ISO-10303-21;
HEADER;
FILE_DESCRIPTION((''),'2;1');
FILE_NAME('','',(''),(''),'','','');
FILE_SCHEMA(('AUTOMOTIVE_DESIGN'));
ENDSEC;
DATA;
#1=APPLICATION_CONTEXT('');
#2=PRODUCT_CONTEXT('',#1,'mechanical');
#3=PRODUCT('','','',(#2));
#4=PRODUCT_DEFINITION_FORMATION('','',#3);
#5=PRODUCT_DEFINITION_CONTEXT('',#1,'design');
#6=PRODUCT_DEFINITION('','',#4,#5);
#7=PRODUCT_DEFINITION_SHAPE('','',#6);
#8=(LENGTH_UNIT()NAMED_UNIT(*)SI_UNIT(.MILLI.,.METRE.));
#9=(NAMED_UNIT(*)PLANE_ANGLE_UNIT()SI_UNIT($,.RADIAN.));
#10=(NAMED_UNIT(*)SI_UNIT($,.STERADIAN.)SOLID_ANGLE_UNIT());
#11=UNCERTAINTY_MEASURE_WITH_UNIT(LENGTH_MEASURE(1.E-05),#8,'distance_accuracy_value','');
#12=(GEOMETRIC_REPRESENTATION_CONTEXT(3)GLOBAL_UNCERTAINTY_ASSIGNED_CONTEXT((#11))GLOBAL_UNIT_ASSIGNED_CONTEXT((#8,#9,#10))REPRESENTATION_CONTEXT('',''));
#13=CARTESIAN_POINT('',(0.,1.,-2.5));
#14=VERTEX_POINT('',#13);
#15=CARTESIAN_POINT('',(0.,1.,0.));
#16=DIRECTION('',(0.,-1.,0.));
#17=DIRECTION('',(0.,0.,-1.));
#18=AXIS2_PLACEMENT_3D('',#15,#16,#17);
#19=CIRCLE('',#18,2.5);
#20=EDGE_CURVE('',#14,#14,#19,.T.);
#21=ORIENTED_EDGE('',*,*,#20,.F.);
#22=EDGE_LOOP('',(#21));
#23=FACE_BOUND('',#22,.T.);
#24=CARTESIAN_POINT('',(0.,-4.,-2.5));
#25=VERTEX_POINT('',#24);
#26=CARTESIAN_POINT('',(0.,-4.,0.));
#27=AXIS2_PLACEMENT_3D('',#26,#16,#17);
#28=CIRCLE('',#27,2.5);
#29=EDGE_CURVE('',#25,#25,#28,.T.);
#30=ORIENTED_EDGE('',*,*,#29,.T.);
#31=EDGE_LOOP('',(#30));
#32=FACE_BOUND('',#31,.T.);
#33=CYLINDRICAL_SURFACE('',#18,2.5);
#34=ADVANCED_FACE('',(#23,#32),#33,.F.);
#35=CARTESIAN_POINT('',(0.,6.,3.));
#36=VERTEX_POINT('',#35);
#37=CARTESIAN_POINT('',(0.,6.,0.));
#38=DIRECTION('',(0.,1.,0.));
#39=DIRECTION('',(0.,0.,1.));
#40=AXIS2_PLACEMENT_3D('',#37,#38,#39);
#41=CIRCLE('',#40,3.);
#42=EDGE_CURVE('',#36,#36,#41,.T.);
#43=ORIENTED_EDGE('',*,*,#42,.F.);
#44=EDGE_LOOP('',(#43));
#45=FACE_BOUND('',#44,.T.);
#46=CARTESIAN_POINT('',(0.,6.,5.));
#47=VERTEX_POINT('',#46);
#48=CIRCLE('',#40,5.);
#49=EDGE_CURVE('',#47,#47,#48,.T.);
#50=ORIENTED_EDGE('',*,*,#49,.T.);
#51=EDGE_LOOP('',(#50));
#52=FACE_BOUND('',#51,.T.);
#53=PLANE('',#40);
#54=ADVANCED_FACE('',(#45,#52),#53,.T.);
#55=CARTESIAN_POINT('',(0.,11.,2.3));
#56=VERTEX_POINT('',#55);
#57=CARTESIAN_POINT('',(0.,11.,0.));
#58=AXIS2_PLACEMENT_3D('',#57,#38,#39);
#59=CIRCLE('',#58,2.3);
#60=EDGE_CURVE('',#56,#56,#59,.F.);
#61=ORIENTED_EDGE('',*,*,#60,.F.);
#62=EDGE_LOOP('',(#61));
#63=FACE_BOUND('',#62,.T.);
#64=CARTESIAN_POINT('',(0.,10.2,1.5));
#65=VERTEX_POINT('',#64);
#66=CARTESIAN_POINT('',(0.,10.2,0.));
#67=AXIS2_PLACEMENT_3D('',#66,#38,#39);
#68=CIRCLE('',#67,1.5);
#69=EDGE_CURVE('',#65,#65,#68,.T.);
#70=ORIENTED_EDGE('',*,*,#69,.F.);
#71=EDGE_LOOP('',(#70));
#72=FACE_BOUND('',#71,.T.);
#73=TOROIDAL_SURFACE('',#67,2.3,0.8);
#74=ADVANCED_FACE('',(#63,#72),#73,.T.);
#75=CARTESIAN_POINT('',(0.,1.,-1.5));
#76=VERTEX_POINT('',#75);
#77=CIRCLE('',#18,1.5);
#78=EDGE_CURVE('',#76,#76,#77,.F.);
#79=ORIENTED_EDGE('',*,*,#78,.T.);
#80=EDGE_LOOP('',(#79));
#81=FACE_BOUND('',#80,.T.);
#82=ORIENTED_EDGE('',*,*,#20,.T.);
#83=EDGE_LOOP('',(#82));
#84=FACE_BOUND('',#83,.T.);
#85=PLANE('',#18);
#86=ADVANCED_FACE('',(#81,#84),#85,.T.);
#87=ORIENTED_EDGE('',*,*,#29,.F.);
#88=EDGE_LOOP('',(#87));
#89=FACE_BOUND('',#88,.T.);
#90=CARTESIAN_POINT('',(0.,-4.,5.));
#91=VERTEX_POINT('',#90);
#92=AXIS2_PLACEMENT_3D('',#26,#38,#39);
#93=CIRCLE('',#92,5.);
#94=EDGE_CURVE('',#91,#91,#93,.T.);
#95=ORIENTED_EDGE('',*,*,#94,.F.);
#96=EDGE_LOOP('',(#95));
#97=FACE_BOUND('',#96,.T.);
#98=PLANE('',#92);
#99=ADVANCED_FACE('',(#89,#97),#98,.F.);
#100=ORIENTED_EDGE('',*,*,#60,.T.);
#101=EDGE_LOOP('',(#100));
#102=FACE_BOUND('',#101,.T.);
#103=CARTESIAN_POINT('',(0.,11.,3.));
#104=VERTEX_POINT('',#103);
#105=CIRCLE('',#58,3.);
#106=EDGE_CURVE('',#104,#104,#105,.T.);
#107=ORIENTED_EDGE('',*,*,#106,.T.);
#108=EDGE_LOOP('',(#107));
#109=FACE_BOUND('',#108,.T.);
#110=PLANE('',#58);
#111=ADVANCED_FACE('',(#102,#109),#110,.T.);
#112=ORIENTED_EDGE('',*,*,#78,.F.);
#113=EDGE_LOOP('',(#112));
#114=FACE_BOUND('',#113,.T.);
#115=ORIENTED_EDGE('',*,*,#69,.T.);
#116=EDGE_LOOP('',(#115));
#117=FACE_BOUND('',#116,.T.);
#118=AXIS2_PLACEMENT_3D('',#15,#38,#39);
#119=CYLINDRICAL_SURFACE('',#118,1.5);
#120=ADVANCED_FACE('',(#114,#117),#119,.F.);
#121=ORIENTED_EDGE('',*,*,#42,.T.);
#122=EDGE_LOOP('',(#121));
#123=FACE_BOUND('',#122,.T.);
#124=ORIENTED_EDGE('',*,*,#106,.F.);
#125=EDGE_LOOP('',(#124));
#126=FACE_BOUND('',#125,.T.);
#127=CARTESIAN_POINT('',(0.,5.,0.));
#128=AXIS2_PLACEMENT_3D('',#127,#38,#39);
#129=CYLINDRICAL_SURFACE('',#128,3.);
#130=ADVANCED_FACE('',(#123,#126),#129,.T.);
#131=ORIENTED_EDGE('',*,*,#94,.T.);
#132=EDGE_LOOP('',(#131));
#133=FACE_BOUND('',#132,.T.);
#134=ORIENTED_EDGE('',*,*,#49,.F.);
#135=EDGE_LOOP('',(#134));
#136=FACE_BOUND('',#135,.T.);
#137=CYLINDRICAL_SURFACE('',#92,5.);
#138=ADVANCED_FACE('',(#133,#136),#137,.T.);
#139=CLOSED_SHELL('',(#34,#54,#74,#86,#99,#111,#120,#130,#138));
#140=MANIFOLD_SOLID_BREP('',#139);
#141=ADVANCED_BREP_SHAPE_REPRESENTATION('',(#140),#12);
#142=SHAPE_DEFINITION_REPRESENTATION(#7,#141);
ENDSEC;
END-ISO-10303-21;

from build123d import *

# Parameters (mm, degrees)
BOSS_EXTRU_1_DEPTH      = 6
BOSS_EXTRU_1_DEPTH_BACK = 4
ESQUISSE1_R             = 5
BOSS_EXTRU_2_DEPTH      = 5
BOSS_EXTRU_2_DEPTH_BACK = 1
ESQUISSE2_R             = 3
ESQUISSE3_R             = 1.5
ENL_V_MAT_EXTRU_2_DEPTH = 10
ESQUISSE4_R             = 2.5
ENL_V_MAT_EXTRU_3_DEPTH = 5
CONG_1_R                = 0.8


with BuildPart() as part:
    # Esquisse1 → Boss.-Extru.1 (new, two sides: drawn at the far end of the back side and taken through both)
    with BuildSketch(Plane(origin=(0, 0, 0), x_dir=(1, 0, 0), z_dir=(0, 1, 0)).offset(-BOSS_EXTRU_1_DEPTH_BACK)):
        with Locations(Location((0, 0, 0), (0, 0, 270))):
            Circle(ESQUISSE1_R)
    extrude(amount=BOSS_EXTRU_1_DEPTH + BOSS_EXTRU_1_DEPTH_BACK)

    # Esquisse2 → Boss.-Extru.2 (add, two sides: drawn at the far end of the back side and taken through both)
    with BuildSketch(Plane(origin=(0, 6, 0), x_dir=(1, 0, 0), z_dir=(0, 1, 0)).offset(-BOSS_EXTRU_2_DEPTH_BACK)):
        with Locations(Location((0, 0, 0), (0, 0, 270))):
            Circle(ESQUISSE2_R)
    extrude(amount=BOSS_EXTRU_2_DEPTH + BOSS_EXTRU_2_DEPTH_BACK)

    # Esquisse3 → Enlèv. mat.-Extru.2 (cut)
    with BuildSketch(Plane(origin=(0, 11, 0), x_dir=(1, 0, 0), z_dir=(0, 1, 0))):
        with Locations(Location((0, 0, 0), (0, 0, 270))):
            Circle(ESQUISSE3_R)
    extrude(amount=-ENL_V_MAT_EXTRU_2_DEPTH, mode=Mode.SUBTRACT)

    # Esquisse4 → Enlèv. mat.-Extru.3 (cut)
    with BuildSketch(Plane.XZ.offset(4)):
        with Locations(Location((0, 0, 0), (0, 0, 270))):
            Circle(ESQUISSE4_R)
    extrude(amount=-ENL_V_MAT_EXTRU_3_DEPTH, mode=Mode.SUBTRACT)

    # Congé1
    cong_1_edges = [part.edges().sort_by_distance(p)[0] for p in [
        (0, 11, -1.5),
    ]]
    fillet(cong_1_edges, radius=CONG_1_R)


solid = part.part
